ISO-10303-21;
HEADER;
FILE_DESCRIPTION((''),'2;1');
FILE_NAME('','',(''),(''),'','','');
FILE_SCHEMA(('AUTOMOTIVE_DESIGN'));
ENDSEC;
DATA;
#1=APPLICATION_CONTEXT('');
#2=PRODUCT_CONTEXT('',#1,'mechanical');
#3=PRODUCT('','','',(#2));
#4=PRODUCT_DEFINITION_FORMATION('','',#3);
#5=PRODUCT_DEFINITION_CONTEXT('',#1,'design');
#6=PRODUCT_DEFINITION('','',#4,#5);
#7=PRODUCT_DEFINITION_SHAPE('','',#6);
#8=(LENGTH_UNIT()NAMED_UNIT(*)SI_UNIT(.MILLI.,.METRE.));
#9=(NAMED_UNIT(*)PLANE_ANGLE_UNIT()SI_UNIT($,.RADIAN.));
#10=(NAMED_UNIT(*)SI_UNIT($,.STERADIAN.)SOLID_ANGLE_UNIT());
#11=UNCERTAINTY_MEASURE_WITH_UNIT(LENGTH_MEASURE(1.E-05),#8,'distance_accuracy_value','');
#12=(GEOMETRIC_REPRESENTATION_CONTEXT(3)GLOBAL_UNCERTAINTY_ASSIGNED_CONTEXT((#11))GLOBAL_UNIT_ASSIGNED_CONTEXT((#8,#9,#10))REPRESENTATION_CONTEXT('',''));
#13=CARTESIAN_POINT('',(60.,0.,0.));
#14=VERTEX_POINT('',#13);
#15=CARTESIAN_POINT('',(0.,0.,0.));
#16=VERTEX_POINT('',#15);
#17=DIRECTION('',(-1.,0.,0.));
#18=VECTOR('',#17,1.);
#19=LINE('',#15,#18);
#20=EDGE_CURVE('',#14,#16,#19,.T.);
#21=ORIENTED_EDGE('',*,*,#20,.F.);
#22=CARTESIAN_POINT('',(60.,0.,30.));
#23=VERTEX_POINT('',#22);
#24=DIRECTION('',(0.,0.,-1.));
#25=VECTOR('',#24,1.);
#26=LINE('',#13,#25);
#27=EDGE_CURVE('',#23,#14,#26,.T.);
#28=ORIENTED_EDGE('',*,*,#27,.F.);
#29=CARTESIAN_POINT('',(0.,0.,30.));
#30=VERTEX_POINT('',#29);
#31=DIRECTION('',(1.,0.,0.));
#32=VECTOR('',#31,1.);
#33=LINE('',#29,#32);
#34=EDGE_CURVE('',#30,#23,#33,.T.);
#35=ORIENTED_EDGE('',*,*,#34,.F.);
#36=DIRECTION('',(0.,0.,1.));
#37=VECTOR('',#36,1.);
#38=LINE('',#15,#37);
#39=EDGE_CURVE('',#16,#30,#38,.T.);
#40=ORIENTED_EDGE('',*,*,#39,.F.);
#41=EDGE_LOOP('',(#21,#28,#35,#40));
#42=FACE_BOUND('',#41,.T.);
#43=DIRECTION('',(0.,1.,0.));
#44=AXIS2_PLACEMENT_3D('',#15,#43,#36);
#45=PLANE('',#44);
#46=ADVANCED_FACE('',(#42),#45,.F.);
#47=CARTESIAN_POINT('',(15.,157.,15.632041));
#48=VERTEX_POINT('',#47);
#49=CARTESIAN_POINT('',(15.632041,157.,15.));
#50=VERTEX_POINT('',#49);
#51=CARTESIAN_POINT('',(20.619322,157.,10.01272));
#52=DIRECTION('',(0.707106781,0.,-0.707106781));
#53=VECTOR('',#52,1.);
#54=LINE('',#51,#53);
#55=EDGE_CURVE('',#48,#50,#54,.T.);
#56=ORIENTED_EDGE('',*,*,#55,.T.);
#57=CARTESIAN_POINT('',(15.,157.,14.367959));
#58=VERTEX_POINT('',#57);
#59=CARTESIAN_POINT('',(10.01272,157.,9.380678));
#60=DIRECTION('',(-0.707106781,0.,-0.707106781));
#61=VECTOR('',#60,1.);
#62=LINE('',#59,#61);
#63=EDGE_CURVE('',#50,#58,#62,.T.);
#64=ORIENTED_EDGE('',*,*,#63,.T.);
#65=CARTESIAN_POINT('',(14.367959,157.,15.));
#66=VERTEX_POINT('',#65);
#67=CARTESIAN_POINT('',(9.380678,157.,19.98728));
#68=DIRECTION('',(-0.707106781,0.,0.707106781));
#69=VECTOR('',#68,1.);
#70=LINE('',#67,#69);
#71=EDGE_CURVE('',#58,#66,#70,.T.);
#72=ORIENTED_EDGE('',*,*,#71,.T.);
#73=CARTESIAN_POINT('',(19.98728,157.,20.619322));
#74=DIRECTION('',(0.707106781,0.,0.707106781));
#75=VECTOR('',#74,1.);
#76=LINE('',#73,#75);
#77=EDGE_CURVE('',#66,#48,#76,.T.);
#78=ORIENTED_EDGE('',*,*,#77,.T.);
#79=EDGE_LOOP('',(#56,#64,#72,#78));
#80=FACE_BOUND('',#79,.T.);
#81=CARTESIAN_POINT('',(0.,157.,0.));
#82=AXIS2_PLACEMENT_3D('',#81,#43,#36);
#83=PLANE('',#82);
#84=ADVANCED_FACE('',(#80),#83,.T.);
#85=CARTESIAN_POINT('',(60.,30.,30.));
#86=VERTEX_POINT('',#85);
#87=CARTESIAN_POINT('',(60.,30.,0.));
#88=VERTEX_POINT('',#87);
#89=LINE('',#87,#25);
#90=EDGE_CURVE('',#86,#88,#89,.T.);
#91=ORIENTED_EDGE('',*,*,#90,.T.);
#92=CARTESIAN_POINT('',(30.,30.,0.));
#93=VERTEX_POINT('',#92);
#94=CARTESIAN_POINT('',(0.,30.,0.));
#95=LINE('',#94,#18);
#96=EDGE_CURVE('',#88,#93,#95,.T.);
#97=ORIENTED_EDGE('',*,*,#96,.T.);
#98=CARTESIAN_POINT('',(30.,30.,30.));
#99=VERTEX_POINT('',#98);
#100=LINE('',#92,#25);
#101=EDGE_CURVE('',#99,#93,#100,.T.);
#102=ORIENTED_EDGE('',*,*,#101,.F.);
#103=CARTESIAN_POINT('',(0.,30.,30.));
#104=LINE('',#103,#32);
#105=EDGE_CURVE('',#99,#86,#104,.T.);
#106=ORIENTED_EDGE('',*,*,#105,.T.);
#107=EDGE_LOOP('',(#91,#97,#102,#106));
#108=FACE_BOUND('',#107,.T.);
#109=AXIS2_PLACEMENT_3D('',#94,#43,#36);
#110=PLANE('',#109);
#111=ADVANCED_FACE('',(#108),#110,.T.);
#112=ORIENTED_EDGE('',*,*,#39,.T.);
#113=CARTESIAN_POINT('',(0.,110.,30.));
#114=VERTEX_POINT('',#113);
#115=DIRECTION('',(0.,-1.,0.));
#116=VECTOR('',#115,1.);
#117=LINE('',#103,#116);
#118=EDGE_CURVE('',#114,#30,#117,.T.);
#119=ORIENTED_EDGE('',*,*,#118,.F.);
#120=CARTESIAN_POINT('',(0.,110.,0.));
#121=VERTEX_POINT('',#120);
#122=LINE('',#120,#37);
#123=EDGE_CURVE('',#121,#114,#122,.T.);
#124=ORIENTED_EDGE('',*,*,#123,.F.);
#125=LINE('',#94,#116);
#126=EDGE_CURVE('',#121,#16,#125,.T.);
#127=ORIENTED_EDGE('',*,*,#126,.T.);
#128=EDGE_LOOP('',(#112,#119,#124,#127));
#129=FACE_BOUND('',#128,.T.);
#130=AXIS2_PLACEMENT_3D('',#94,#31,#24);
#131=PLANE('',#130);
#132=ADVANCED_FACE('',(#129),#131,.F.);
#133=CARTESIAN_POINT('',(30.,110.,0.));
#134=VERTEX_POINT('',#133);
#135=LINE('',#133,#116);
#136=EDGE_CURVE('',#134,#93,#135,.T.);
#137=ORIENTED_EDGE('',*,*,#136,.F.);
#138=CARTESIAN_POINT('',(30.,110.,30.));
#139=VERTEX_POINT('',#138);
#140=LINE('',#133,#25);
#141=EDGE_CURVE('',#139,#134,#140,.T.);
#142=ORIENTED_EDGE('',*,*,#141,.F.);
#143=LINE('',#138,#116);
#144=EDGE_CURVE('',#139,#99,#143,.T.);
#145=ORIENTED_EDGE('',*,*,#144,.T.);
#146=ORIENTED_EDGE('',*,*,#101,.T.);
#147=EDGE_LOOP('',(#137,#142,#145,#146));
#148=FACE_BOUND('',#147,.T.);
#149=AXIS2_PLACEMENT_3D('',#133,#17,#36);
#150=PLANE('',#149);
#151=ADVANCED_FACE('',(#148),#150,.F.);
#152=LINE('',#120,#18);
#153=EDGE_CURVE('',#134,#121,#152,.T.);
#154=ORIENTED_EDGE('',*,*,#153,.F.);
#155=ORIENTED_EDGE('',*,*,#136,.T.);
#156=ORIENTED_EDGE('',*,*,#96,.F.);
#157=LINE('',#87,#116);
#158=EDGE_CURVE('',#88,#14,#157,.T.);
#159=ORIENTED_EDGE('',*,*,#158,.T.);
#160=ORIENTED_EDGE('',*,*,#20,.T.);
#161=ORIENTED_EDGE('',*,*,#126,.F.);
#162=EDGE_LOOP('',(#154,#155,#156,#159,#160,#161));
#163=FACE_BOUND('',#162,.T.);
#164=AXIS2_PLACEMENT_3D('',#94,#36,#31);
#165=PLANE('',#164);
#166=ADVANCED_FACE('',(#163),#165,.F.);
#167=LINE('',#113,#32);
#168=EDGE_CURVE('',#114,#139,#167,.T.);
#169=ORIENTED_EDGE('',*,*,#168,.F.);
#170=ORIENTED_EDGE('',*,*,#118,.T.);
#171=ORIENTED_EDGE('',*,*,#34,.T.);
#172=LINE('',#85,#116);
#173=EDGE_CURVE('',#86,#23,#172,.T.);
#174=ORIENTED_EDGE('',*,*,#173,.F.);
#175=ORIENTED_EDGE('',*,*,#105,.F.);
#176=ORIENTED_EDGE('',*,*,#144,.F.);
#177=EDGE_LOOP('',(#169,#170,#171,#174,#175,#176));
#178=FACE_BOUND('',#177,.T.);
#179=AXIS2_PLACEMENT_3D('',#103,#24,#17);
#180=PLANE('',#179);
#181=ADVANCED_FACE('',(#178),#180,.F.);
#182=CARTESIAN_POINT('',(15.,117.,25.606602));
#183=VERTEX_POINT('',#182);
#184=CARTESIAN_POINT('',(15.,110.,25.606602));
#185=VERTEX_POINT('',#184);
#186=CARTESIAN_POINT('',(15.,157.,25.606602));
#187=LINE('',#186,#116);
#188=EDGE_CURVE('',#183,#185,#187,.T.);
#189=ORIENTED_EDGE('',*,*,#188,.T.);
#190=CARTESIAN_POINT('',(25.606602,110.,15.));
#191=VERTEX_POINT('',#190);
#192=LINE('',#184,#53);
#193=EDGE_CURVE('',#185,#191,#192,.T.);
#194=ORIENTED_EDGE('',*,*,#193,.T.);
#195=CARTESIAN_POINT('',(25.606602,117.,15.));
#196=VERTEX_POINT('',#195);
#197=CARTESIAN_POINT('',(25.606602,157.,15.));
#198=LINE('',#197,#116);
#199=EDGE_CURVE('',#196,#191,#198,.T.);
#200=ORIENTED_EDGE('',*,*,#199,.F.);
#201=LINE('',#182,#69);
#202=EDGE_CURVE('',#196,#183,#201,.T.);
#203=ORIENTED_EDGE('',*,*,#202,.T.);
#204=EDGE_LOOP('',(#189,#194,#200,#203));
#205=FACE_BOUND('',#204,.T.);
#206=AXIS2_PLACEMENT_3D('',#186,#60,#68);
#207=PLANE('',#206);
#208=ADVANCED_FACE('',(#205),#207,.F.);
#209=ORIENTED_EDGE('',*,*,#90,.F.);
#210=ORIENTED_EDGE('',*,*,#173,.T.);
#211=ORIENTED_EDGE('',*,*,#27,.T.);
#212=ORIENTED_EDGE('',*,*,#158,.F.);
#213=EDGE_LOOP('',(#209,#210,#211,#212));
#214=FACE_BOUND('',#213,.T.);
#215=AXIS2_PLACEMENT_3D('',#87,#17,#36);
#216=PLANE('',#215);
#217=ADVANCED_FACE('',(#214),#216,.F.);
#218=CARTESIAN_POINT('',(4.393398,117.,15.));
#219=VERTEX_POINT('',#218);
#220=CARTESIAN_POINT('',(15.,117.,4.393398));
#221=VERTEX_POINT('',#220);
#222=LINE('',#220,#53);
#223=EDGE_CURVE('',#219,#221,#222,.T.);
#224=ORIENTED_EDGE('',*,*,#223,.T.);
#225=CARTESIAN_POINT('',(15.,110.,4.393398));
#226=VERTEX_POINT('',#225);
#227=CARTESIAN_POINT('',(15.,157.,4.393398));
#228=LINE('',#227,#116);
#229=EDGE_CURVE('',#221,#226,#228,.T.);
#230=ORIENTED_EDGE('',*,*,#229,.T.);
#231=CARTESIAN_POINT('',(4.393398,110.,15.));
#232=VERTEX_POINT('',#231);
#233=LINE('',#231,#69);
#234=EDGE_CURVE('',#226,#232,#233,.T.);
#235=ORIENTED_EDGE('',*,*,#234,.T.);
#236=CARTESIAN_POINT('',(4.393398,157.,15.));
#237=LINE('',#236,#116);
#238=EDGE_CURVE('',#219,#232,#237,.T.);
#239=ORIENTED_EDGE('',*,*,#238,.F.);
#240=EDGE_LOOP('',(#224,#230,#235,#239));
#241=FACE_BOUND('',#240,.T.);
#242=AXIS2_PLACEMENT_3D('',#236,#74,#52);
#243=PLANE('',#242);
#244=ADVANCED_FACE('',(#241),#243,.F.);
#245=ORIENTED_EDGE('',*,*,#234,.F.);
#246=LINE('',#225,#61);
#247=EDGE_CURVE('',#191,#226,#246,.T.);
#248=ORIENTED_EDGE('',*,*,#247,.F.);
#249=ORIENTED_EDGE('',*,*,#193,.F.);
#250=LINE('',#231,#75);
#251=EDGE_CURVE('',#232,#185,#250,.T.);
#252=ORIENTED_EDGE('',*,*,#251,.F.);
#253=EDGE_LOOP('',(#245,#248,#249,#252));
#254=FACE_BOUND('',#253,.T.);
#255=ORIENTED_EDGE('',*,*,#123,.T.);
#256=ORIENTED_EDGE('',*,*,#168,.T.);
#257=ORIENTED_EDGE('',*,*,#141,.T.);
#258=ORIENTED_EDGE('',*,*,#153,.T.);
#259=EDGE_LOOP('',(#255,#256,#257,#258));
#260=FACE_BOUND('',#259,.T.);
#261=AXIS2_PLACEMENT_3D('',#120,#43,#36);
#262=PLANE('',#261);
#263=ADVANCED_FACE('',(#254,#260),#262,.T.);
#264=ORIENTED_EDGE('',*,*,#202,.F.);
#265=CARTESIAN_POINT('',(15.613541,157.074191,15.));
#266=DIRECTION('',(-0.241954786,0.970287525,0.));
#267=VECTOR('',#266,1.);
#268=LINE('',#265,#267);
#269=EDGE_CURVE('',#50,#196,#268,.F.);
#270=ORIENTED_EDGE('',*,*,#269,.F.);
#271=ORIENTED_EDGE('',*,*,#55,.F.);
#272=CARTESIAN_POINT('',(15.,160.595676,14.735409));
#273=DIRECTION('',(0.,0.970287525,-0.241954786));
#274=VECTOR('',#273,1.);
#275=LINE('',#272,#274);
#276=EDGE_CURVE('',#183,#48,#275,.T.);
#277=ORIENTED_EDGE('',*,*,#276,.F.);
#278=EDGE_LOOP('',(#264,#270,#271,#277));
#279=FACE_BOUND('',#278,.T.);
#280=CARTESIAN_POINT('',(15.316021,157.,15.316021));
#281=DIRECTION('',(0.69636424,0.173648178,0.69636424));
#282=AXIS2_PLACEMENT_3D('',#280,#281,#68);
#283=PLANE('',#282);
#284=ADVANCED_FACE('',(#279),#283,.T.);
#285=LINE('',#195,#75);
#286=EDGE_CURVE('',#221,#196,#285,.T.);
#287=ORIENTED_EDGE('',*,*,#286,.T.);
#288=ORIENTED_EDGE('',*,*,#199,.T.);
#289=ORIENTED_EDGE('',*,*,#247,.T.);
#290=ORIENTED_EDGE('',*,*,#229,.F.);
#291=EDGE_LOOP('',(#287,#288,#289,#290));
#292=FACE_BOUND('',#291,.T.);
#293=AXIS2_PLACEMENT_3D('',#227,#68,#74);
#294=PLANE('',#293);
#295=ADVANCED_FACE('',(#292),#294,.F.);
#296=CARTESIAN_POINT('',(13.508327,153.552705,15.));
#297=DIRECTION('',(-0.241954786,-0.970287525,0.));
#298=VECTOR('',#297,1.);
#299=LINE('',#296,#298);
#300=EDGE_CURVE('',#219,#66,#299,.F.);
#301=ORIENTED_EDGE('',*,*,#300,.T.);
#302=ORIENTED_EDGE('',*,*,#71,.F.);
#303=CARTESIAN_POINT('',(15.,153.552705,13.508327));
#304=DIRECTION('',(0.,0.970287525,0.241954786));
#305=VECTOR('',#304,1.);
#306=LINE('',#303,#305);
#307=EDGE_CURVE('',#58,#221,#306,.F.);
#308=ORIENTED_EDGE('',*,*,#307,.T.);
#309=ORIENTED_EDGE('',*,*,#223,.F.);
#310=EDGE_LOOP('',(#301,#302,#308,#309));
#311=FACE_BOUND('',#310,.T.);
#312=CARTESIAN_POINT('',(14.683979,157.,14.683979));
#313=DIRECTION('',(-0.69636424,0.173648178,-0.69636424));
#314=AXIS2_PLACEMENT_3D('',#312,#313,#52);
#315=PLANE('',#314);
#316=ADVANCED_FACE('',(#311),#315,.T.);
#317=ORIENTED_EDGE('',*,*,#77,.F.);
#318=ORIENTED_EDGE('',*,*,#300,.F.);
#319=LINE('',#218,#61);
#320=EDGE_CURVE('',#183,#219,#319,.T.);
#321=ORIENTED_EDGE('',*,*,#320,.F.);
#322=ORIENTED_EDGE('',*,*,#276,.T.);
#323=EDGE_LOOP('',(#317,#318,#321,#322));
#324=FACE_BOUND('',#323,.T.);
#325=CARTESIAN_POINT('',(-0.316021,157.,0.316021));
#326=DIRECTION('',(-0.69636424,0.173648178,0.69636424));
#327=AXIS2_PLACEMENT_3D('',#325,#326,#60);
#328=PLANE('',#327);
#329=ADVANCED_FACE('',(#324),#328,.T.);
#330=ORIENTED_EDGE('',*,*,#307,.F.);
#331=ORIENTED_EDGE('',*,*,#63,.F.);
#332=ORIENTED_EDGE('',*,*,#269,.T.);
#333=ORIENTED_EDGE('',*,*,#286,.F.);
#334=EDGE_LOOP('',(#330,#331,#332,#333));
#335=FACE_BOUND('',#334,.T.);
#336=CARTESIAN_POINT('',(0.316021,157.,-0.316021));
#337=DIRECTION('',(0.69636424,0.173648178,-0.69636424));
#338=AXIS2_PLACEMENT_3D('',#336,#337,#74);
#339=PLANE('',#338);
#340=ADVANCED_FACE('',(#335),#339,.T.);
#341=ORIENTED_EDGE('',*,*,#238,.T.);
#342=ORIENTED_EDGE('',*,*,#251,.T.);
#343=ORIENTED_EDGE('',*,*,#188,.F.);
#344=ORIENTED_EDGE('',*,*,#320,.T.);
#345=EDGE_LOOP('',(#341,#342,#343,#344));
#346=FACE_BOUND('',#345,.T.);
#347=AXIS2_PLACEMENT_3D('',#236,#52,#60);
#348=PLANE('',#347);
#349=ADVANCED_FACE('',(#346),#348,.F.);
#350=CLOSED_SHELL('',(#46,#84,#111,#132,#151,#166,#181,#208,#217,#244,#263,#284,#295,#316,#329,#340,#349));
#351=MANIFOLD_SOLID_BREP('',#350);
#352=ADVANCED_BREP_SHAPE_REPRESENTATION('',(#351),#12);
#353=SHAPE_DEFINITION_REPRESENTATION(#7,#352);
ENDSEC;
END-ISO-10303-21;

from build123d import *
from OCP.BRepFilletAPI import BRepFilletAPI_MakeChamfer

# Parameters (mm, degrees)
SKETCH_1_W      = 60
SKETCH_1_H      = 30
EXTRUDE_1_DEPTH = 30
SKETCH_2_W      = 30
SKETCH_2_H      = 30
EXTRUDE_2_DEPTH = 80
EXTRUDE_3_DEPTH = 47
CHAMFER_1_SIZE  = 40
CHAMFER_1_SIZE2 = 7.053079228


with BuildPart() as part:
    # ｽｹｯﾁ1 → ﾎﾞｽ - 押し出し1 (new body)
    with BuildSketch(Plane(origin=(0, 0, 0), x_dir=(1, 0, 0), z_dir=(0, 1, 0))):
        with Locations((30, -15)):
            Rectangle(SKETCH_1_W, SKETCH_1_H)
    extrude(amount=EXTRUDE_1_DEPTH)

    # ｽｹｯﾁ2 → ﾎﾞｽ - 押し出し2 (add)
    with BuildSketch(Plane(origin=(0, 30, 0), x_dir=(1, 0, 0), z_dir=(0, 1, 0))):
        with Locations((15, -15)):
            Rectangle(SKETCH_2_W, SKETCH_2_H)
    extrude(amount=EXTRUDE_2_DEPTH)

    # ｽｹｯﾁ3 → ﾎﾞｽ - 押し出し3 (add)
    with BuildSketch(Plane(origin=(0, 110, 0), x_dir=(1, 0, 0), z_dir=(0, 1, 0))):
        Polygon((4.393398282, -15), (15, -4.393398282), (25.606601718, -15), (15, -25.606601718), align=None)
    extrude(amount=EXTRUDE_3_DEPTH)

    # 面取り1: one chamfer whose edges measure the first distance from different faces: ONE call of the kernel's chamfer builder (chamfer() names one face for all edges)
    chamfer_1_edges_1 = [part.edges().sort_by_distance(p)[0] for p in [
        (9.696699141, 157, 20.303300859),
    ]]
    chamfer_1_side_1 = [part.faces().sort_by_distance(p)[0] for p in [
        (9.696699141, 133.5, 20.303300859),
    ]]
    chamfer_1_edges_2 = [part.edges().sort_by_distance(p)[0] for p in [
        (20.303300859, 157, 20.303300859),
    ]]
    chamfer_1_side_2 = [part.faces().sort_by_distance(p)[0] for p in [
        (20.303300859, 133.5, 20.303300859),
    ]]
    chamfer_1_edges_3 = [part.edges().sort_by_distance(p)[0] for p in [
        (20.303300859, 157, 9.696699141),
    ]]
    chamfer_1_side_3 = [part.faces().sort_by_distance(p)[0] for p in [
        (20.303300859, 133.5, 9.696699141),
    ]]
    chamfer_1_edges_4 = [part.edges().sort_by_distance(p)[0] for p in [
        (9.696699141, 157, 9.696699141),
    ]]
    chamfer_1_side_4 = [part.faces().sort_by_distance(p)[0] for p in [
        (9.696699141, 133.5, 9.696699141),
    ]]
    chamfer_1 = BRepFilletAPI_MakeChamfer(part.part.solid().wrapped)
    for e in chamfer_1_edges_1:
        chamfer_1.Add(CHAMFER_1_SIZE, CHAMFER_1_SIZE2, e.wrapped, chamfer_1_side_1[0].wrapped)  # the first distance lies on this face
    for e in chamfer_1_edges_2:
        chamfer_1.Add(CHAMFER_1_SIZE, CHAMFER_1_SIZE2, e.wrapped, chamfer_1_side_2[0].wrapped)  # the first distance lies on this face
    for e in chamfer_1_edges_3:
        chamfer_1.Add(CHAMFER_1_SIZE, CHAMFER_1_SIZE2, e.wrapped, chamfer_1_side_3[0].wrapped)  # the first distance lies on this face
    for e in chamfer_1_edges_4:
        chamfer_1.Add(CHAMFER_1_SIZE, CHAMFER_1_SIZE2, e.wrapped, chamfer_1_side_4[0].wrapped)  # the first distance lies on this face
    add(Compound.cast(chamfer_1.Shape()), mode=Mode.REPLACE)


solid = part.part
